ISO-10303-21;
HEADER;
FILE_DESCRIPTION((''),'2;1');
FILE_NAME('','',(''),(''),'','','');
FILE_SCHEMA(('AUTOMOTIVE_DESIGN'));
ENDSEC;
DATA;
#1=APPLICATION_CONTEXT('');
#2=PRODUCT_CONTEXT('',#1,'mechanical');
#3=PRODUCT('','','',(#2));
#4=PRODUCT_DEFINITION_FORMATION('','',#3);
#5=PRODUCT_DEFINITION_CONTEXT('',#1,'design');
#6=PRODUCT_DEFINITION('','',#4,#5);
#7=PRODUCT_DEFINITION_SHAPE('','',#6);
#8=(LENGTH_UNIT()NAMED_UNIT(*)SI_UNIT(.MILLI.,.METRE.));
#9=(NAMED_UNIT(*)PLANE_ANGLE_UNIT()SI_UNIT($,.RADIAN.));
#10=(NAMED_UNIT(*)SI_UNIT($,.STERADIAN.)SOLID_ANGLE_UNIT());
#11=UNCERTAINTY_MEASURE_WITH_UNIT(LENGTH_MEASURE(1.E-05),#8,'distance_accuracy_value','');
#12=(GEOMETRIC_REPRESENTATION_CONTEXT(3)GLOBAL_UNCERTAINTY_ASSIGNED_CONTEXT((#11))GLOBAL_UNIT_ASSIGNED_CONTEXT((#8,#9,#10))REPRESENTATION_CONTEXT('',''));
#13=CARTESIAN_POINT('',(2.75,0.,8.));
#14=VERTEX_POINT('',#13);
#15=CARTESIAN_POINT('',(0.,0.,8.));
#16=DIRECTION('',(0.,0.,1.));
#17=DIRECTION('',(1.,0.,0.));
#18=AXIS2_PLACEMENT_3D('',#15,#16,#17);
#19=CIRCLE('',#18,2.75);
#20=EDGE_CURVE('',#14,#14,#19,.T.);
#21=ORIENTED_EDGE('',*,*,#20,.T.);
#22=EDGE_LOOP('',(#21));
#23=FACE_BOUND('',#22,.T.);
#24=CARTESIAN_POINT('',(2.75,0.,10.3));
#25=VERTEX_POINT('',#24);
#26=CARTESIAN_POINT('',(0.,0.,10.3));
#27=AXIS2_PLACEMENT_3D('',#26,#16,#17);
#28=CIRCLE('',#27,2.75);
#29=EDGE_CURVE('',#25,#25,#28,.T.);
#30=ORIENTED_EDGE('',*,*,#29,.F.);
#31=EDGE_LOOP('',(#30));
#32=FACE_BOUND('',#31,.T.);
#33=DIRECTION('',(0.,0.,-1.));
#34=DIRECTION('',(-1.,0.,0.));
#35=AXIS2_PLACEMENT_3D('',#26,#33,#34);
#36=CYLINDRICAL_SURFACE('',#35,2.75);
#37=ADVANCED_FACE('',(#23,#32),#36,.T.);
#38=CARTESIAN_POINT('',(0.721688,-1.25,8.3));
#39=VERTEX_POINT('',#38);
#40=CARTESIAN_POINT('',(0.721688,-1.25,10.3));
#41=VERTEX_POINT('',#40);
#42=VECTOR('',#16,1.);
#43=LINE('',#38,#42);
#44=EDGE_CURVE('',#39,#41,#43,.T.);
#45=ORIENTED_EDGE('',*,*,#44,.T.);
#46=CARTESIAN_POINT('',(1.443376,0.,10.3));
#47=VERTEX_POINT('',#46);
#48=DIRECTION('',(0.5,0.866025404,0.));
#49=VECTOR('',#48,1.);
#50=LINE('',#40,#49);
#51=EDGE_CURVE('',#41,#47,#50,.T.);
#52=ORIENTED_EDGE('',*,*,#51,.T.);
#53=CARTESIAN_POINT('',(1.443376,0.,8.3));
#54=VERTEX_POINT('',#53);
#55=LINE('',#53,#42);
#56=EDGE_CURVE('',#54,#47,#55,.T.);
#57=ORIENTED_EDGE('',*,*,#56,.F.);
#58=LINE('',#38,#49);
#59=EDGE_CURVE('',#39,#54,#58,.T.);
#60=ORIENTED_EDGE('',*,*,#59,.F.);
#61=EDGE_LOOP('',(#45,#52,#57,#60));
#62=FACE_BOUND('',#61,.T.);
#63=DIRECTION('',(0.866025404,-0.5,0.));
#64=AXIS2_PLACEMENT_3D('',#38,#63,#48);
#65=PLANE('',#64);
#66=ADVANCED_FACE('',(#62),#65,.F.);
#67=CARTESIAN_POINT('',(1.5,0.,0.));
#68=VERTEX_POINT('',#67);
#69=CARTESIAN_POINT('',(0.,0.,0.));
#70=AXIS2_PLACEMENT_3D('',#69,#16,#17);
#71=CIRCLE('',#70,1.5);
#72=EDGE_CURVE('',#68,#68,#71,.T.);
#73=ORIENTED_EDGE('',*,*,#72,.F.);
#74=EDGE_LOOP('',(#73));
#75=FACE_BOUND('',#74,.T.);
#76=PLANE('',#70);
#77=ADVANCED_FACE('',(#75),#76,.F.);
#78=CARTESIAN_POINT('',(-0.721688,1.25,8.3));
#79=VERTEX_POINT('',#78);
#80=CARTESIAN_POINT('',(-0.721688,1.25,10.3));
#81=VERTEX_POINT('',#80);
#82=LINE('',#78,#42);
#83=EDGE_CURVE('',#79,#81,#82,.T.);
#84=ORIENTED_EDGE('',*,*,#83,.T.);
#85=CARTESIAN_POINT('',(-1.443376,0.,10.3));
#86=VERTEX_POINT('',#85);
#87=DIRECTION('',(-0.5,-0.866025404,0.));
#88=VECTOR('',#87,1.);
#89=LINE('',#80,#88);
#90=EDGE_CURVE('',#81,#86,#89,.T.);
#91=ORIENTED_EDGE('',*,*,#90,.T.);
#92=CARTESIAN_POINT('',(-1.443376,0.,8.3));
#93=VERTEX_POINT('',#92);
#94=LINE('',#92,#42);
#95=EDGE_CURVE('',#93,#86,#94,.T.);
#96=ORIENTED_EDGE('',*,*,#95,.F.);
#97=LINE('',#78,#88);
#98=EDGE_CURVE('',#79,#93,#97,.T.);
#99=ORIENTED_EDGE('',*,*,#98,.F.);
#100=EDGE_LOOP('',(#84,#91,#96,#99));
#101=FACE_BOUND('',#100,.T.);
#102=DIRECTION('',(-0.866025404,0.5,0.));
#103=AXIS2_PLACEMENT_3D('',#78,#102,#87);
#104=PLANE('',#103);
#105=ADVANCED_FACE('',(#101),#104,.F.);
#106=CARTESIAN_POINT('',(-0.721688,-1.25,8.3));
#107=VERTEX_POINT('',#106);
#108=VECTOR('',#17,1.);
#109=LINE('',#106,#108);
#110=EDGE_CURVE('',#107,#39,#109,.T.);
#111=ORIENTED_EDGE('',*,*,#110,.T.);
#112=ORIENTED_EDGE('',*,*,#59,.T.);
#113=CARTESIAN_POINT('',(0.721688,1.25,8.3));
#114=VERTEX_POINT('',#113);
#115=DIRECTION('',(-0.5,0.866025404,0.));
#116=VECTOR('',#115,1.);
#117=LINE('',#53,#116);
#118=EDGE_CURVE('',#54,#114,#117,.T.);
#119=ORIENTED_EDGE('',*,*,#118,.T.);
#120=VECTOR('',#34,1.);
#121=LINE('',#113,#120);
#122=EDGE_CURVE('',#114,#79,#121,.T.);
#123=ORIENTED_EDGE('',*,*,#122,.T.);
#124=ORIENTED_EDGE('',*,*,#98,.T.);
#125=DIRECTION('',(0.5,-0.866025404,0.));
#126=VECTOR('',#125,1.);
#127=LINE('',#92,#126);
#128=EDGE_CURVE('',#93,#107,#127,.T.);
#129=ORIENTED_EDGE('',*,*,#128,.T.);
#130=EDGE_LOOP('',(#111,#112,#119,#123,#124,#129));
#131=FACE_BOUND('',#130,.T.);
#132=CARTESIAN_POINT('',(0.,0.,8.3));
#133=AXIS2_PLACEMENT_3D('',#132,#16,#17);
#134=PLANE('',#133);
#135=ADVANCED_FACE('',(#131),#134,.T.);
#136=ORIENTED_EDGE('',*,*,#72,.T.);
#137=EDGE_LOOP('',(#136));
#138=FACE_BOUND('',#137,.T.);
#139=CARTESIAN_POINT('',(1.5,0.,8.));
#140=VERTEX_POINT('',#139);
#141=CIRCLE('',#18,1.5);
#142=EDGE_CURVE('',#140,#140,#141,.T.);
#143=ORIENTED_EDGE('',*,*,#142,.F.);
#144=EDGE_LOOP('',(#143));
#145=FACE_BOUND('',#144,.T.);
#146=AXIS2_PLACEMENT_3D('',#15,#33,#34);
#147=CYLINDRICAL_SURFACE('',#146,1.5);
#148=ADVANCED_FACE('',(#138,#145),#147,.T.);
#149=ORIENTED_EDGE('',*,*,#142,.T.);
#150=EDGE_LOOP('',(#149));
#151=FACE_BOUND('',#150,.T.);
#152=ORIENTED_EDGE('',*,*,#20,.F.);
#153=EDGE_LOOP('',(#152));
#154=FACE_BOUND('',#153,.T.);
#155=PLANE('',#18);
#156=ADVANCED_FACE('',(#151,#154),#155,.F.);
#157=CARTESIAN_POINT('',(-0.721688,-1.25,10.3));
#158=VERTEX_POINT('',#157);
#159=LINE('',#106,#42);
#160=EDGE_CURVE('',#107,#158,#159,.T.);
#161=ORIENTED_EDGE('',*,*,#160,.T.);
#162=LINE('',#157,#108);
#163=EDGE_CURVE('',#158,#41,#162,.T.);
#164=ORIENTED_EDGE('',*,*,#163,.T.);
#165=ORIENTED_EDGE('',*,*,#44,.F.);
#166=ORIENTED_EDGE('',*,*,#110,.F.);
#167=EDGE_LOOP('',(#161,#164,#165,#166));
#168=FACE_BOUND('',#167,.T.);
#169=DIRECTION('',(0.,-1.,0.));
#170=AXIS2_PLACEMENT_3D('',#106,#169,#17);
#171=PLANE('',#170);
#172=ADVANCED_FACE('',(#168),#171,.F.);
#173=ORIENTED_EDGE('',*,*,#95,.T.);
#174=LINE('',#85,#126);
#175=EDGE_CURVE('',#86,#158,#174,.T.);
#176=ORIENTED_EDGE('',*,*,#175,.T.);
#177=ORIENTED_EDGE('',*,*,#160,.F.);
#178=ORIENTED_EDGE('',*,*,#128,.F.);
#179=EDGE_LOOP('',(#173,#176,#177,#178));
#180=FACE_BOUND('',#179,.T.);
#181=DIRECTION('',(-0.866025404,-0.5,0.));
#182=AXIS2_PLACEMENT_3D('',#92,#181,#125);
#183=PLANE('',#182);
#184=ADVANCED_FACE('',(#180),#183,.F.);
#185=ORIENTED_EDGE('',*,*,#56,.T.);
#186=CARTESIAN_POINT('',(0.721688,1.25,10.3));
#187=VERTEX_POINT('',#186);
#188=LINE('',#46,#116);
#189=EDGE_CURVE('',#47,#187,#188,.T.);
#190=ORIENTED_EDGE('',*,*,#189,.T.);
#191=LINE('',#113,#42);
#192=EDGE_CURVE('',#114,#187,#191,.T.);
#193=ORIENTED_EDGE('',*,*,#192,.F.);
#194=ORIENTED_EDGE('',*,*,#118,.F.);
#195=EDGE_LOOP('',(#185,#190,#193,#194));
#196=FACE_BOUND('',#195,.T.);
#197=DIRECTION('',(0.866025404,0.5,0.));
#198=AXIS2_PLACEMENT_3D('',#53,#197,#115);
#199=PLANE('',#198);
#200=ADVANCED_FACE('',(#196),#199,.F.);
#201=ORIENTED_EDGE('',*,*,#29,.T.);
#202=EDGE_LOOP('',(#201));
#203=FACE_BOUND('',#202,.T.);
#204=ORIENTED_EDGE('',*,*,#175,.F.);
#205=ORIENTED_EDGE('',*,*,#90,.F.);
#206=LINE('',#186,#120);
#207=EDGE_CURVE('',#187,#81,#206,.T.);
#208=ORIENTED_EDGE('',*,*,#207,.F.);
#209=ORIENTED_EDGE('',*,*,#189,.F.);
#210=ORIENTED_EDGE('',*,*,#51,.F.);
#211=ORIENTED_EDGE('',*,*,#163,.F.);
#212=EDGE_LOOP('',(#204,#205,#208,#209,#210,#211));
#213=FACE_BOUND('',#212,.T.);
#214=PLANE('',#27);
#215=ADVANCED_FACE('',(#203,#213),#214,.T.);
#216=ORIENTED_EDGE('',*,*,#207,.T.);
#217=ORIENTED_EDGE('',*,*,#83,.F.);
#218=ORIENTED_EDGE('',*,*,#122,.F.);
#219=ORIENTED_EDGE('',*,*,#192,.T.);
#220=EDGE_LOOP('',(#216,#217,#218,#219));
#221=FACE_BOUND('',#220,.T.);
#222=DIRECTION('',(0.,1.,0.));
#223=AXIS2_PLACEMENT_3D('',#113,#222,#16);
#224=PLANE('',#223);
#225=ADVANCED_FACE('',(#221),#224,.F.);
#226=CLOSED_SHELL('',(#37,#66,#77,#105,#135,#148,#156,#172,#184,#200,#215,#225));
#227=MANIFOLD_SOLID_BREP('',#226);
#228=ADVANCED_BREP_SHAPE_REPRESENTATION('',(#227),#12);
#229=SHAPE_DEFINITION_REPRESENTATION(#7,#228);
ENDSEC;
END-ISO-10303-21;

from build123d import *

# Parameters (mm, degrees)
ESQUISSE1_R             = 1.5
BOSS_EXTRU_1_DEPTH      = 8
ESQUISSE2_R             = 2.75
BOSS_EXTRU_2_DEPTH      = 2.3
ENL_V_MAT_EXTRU_1_DEPTH = 2


with BuildPart() as part:
    # Esquisse1 → Boss.-Extru.1 (new body)
    with BuildSketch(Plane.XY):
        Circle(ESQUISSE1_R)
    extrude(amount=BOSS_EXTRU_1_DEPTH)

    # Esquisse2 → Boss.-Extru.2 (add)
    with BuildSketch(Plane.XY.offset(8)):
        Circle(ESQUISSE2_R)
    extrude(amount=BOSS_EXTRU_2_DEPTH)

    # Esquisse3 → Enlèv. mat.-Extru.1 (cut)
    with BuildSketch(Plane.XY.offset(10.3)):
        Polygon((1.443375673, 0), (0.721687836, 1.25), (-0.721687836, 1.25), (-1.443375673, 0), (-0.721687836, -1.25), (0.721687836, -1.25), align=None)
    extrude(amount=-ENL_V_MAT_EXTRU_1_DEPTH, mode=Mode.SUBTRACT)


solid = part.part
